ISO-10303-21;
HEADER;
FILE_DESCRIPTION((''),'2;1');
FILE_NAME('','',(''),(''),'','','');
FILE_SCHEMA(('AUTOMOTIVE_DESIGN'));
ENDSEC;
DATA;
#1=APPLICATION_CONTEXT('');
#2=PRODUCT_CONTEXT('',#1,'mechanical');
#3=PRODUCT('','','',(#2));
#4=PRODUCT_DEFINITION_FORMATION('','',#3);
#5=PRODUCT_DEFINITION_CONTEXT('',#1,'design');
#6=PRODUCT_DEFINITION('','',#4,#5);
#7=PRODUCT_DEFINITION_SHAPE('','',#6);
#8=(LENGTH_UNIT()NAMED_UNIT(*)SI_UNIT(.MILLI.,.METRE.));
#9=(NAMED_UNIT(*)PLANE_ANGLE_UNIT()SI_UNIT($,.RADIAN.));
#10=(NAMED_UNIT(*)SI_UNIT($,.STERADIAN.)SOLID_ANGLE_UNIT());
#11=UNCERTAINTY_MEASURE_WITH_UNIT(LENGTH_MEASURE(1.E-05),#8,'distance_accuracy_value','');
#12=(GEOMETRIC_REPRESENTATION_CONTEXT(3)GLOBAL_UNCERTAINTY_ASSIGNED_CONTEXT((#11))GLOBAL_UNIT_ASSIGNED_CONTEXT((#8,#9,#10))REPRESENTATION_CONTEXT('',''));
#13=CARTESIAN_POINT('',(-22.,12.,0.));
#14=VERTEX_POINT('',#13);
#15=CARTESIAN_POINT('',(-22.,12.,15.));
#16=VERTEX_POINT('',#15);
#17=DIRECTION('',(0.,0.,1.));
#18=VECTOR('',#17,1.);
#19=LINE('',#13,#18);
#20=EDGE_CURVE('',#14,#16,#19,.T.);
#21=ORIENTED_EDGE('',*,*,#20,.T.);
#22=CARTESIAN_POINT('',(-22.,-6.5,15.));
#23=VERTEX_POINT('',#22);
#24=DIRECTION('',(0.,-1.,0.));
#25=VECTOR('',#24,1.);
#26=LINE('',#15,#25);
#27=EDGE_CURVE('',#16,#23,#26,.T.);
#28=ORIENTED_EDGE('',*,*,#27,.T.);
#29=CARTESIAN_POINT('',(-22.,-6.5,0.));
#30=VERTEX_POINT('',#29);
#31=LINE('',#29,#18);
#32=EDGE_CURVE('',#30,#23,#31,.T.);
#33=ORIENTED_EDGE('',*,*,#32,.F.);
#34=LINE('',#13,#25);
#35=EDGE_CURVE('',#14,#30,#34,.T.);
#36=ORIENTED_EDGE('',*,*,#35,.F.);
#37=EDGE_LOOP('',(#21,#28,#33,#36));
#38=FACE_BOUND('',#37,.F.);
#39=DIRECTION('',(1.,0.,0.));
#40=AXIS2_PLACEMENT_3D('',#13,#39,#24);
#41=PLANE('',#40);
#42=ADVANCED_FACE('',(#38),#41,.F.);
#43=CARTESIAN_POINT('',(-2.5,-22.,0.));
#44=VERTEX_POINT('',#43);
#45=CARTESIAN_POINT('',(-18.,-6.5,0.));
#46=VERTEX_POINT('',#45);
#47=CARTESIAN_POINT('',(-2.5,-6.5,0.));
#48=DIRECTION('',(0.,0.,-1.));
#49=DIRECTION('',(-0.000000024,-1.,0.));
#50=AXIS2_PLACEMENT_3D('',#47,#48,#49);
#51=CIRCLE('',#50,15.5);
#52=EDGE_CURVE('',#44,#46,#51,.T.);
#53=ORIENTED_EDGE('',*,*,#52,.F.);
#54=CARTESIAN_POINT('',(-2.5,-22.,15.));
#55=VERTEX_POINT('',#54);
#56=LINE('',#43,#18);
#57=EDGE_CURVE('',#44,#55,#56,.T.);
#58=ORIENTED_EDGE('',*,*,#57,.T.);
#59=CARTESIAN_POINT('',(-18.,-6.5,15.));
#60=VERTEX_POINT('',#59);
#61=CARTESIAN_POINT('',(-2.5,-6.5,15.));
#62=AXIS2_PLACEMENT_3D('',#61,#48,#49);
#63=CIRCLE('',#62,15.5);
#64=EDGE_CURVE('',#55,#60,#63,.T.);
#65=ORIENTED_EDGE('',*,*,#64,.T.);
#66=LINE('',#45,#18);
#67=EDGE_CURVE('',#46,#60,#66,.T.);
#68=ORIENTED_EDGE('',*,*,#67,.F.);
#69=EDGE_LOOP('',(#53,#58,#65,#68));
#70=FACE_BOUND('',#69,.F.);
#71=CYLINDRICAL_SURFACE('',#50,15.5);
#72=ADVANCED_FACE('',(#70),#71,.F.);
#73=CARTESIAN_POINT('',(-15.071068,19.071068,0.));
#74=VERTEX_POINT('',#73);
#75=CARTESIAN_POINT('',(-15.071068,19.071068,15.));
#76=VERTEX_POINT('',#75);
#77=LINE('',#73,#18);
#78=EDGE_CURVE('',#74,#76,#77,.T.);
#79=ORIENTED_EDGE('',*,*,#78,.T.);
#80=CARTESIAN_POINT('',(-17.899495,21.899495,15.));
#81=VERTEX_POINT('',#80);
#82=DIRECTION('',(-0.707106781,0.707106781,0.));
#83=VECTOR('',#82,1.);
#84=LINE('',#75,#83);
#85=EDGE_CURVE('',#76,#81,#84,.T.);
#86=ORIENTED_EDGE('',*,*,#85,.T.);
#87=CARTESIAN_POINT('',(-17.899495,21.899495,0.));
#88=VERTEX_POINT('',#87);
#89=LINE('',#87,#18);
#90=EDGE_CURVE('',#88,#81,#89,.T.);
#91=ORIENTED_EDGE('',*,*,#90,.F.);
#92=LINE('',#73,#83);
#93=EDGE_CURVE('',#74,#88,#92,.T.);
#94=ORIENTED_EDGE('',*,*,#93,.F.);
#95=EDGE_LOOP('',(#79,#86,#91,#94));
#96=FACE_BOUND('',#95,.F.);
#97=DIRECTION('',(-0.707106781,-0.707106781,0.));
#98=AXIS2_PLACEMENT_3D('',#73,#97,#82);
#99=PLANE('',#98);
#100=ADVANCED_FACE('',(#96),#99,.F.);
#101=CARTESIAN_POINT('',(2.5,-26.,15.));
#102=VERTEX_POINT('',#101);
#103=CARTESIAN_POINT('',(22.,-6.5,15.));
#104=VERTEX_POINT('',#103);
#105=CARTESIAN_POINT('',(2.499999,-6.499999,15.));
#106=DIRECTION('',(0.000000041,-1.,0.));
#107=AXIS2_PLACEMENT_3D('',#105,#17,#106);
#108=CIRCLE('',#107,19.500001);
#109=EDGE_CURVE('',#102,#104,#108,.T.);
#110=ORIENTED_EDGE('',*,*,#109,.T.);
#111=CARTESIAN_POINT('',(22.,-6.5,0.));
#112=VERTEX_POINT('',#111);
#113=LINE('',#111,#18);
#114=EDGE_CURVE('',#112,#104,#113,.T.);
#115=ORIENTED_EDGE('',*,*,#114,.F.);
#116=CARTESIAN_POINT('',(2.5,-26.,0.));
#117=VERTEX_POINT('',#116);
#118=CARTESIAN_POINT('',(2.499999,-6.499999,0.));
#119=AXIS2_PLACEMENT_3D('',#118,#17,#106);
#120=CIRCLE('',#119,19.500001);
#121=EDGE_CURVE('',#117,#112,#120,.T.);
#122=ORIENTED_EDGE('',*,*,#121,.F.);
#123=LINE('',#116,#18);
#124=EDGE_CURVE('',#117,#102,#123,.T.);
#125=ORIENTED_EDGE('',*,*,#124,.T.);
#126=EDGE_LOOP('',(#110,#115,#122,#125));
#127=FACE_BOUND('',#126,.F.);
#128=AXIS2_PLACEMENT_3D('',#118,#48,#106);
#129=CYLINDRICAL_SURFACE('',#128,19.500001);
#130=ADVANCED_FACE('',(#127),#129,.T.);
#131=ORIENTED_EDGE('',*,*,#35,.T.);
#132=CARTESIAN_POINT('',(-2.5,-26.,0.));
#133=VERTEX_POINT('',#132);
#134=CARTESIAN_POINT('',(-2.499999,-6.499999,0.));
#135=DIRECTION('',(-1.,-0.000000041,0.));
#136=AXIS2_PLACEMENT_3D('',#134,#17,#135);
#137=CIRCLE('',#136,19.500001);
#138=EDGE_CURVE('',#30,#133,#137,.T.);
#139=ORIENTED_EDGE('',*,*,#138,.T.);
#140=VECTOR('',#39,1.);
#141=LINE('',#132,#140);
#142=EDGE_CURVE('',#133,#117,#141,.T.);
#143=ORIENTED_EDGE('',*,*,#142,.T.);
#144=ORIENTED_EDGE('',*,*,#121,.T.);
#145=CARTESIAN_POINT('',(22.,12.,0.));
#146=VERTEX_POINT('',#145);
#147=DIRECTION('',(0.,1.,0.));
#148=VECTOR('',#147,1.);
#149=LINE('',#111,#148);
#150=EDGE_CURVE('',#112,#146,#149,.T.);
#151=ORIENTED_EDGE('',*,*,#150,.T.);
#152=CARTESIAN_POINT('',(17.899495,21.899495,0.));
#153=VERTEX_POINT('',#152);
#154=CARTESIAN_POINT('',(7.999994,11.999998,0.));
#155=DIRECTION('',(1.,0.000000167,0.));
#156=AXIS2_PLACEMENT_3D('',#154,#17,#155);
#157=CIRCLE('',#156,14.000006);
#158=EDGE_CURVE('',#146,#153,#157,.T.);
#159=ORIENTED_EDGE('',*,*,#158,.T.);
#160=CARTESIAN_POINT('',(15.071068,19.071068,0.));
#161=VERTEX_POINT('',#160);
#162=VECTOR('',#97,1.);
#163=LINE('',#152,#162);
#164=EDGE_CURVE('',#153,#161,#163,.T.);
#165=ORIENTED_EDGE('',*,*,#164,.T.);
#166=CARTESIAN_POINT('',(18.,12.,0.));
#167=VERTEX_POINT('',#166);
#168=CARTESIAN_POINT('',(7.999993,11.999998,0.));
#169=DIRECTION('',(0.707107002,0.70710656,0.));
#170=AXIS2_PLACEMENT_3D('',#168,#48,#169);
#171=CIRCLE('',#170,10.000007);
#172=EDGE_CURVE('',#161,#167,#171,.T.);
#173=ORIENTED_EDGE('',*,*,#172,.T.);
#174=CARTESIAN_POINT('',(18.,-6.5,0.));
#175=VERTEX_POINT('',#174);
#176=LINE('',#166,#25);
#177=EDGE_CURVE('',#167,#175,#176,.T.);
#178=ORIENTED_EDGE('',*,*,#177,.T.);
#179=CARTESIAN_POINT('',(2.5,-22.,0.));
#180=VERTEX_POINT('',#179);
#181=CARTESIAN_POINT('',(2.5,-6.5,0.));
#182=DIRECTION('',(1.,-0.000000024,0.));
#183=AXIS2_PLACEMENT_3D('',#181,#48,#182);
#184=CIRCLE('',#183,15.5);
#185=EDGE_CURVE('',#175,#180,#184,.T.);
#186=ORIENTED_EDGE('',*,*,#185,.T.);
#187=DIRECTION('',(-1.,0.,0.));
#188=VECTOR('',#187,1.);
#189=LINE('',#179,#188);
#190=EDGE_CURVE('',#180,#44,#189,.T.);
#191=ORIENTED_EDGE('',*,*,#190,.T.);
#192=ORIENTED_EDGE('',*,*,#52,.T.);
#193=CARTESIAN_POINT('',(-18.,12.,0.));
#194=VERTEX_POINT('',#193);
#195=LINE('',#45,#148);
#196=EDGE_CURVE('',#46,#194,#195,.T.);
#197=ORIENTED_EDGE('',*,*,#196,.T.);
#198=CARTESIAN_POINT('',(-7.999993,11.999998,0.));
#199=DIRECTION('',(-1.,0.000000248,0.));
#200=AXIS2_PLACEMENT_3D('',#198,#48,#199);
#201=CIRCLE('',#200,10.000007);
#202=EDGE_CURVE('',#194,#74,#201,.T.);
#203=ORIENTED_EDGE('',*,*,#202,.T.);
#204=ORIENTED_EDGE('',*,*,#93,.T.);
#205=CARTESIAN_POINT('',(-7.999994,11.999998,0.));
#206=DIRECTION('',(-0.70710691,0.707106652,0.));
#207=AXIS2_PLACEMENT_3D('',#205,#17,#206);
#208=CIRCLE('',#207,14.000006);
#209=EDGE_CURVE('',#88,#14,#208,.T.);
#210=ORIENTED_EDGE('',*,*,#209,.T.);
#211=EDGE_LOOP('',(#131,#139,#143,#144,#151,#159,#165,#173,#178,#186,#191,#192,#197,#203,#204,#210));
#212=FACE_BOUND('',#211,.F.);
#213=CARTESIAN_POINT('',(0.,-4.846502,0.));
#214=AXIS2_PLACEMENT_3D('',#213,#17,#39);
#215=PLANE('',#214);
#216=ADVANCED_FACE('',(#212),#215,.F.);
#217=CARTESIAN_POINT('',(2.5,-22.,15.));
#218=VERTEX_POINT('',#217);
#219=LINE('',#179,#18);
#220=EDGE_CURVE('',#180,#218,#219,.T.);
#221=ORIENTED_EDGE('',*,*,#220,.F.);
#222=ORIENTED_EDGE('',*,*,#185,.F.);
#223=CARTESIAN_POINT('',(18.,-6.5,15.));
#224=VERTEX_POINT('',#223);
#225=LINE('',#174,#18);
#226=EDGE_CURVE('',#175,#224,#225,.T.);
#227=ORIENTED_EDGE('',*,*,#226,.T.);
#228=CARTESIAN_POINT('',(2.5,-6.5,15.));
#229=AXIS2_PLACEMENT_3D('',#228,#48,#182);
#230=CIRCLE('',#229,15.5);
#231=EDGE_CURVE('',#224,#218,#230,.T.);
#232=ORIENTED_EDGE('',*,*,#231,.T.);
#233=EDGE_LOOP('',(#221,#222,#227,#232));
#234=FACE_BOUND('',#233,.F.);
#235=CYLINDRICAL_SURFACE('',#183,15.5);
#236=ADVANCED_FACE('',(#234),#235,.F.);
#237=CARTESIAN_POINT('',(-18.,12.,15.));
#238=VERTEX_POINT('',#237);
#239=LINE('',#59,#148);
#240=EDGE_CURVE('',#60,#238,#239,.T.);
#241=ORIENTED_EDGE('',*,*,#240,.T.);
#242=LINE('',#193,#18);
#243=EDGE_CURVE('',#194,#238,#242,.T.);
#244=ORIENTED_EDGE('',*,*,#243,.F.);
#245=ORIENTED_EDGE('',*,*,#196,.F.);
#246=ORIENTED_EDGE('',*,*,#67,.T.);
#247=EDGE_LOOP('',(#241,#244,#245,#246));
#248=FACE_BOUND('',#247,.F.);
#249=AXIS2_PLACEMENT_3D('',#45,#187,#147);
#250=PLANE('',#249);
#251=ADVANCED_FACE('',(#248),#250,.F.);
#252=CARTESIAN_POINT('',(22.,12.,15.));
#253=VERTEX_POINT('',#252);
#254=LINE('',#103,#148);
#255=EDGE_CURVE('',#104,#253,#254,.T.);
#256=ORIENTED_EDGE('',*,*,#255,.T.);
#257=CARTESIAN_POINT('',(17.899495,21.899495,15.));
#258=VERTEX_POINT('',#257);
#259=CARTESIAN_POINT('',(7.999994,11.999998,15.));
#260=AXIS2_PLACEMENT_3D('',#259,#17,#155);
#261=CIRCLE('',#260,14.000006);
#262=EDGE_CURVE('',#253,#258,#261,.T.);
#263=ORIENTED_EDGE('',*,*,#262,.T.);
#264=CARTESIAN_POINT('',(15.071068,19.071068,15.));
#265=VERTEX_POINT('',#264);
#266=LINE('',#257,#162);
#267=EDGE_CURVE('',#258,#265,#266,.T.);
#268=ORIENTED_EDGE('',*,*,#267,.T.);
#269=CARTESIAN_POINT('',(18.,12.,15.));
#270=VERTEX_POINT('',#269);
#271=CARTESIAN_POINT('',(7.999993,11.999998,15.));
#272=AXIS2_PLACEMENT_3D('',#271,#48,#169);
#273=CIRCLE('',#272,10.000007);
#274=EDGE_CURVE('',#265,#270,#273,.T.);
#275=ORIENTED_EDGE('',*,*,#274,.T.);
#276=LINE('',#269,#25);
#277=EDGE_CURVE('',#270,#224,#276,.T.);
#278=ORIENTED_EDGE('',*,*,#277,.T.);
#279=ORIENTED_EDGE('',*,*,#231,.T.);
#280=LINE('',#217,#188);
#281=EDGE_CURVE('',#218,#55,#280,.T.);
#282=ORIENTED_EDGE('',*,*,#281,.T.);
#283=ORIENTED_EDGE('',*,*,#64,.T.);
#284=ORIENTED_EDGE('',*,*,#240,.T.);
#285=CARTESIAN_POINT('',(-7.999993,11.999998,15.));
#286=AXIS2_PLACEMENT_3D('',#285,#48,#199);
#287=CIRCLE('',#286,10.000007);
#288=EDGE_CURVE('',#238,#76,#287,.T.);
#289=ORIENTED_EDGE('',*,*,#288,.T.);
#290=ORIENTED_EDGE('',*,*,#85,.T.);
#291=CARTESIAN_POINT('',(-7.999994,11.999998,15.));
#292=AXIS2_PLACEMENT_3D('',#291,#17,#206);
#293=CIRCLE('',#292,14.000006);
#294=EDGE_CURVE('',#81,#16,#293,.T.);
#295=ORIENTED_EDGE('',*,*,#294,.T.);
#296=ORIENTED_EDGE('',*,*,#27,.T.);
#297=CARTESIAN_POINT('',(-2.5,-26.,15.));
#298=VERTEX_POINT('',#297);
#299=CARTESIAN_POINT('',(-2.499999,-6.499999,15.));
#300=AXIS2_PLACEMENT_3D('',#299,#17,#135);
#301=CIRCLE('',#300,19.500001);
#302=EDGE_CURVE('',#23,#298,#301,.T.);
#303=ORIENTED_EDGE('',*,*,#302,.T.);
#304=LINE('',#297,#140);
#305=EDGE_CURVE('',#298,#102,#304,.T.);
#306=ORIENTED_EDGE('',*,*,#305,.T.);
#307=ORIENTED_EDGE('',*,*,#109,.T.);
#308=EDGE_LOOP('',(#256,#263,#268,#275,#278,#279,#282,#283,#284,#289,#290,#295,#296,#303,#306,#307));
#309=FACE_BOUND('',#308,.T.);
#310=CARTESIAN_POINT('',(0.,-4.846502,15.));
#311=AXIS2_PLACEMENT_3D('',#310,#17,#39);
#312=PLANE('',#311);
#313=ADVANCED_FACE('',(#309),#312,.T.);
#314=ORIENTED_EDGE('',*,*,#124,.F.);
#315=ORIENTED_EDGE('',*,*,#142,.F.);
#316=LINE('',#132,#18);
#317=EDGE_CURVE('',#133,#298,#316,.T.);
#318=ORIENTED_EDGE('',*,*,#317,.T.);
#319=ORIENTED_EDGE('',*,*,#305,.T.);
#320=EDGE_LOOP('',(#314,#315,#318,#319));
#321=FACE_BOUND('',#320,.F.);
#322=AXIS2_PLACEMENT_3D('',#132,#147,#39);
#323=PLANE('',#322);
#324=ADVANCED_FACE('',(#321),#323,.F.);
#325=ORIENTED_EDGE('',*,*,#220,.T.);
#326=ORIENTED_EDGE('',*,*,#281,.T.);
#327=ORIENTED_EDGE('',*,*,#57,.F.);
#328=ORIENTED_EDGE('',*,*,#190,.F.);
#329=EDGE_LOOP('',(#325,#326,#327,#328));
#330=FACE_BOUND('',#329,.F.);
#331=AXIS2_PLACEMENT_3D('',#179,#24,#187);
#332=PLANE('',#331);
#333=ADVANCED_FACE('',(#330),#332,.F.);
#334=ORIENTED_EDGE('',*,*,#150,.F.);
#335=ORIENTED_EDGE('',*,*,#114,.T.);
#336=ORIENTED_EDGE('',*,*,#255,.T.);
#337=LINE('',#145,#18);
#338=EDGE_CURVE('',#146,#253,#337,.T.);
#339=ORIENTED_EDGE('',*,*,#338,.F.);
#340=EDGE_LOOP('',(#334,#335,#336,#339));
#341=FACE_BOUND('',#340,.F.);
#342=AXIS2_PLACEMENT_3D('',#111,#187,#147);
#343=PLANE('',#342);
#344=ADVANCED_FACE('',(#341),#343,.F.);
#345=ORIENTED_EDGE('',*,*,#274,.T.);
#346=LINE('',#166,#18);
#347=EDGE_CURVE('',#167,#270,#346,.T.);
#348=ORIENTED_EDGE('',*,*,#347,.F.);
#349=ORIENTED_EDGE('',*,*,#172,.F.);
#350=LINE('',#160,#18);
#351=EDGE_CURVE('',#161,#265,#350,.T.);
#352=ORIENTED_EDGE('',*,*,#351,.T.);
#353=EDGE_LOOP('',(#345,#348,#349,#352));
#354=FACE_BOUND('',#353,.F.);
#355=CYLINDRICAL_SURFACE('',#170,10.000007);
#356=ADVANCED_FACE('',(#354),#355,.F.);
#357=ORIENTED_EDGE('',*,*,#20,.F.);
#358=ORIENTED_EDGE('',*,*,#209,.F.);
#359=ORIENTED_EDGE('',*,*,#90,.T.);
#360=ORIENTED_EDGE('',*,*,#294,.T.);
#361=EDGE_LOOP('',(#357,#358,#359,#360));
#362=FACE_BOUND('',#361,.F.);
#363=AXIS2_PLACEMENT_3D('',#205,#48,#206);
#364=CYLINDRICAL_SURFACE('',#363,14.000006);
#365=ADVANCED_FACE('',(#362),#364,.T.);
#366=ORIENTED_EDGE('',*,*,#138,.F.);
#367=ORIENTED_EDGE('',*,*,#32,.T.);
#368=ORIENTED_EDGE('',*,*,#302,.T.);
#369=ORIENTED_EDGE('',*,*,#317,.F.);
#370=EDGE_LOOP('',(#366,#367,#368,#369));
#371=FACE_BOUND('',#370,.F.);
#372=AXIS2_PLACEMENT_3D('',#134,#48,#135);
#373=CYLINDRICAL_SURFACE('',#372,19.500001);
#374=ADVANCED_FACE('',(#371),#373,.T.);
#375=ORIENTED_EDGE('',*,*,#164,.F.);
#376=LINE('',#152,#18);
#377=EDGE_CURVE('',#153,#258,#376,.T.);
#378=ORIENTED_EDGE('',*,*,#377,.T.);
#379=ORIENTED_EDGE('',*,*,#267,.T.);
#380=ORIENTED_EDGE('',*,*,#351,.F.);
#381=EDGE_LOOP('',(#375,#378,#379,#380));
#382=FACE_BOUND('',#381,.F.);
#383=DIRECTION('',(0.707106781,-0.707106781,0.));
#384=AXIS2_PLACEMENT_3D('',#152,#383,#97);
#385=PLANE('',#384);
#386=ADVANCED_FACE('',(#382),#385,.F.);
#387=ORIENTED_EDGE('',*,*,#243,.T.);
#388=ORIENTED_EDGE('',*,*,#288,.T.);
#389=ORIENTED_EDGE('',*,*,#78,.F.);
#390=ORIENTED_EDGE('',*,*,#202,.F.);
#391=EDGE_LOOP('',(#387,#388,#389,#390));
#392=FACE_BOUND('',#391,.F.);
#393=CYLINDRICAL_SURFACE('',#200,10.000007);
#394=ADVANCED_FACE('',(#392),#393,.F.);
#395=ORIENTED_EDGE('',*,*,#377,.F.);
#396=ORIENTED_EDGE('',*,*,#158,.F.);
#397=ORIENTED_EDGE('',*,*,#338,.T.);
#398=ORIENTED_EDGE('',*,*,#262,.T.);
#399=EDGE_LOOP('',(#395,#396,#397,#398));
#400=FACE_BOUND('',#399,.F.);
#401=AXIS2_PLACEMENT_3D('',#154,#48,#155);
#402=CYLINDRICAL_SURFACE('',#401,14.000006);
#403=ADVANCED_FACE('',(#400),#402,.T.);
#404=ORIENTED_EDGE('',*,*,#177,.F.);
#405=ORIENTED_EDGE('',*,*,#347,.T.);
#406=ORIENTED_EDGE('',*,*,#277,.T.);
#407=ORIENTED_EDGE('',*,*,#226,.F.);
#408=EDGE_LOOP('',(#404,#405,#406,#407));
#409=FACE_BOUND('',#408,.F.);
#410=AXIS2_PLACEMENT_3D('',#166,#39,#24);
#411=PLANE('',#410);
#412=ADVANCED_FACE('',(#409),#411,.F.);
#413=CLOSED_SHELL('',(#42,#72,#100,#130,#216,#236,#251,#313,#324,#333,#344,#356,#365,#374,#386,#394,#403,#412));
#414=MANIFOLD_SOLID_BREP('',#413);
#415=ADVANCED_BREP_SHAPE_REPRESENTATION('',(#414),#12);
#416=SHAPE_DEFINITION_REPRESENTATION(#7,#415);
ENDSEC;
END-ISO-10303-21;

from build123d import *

# Parameters (mm, degrees)
F1_DEPTH = 15


with BuildPart() as f1:
    # F0 (on Top) → F1 (new body)
    with BuildSketch(Plane.XY):
        with BuildLine():
            ThreePointArc((-18, 12), (-17.238795, 15.826834), (-15.071068, 19.071068))
            Line((-15.071068, 19.071068), (-17.899495, 21.899495))
            ThreePointArc((-17.899495, 21.899495), (-20.934313, 17.357568), (-22, 12))
            Line((-22, 12), (-22, -6.5))
            ThreePointArc((-22, -6.5), (-16.288582, -20.288582), (-2.5, -26))
            Line((-2.5, -26), (2.5, -26))
            ThreePointArc((2.5, -26), (16.288582, -20.288582), (22, -6.5))
            Line((22, -6.5), (22, 12))
            ThreePointArc((22, 12), (20.934313, 17.357568), (17.899495, 21.899495))
            Line((17.899495, 21.899495), (15.071068, 19.071068))
            ThreePointArc((15.071068, 19.071068), (17.238795, 15.826834), (18, 12))
            Line((18, 12), (18, -6.5))
            ThreePointArc((18, -6.5), (13.460155, -17.460155), (2.5, -22))
            Line((2.5, -22), (-2.5, -22))
            ThreePointArc((-2.5, -22), (-13.460155, -17.460155), (-18, -6.5))
            Line((-18, -6.5), (-18, 12))
        make_face()
    extrude(amount=F1_DEPTH)


solid = f1.part
